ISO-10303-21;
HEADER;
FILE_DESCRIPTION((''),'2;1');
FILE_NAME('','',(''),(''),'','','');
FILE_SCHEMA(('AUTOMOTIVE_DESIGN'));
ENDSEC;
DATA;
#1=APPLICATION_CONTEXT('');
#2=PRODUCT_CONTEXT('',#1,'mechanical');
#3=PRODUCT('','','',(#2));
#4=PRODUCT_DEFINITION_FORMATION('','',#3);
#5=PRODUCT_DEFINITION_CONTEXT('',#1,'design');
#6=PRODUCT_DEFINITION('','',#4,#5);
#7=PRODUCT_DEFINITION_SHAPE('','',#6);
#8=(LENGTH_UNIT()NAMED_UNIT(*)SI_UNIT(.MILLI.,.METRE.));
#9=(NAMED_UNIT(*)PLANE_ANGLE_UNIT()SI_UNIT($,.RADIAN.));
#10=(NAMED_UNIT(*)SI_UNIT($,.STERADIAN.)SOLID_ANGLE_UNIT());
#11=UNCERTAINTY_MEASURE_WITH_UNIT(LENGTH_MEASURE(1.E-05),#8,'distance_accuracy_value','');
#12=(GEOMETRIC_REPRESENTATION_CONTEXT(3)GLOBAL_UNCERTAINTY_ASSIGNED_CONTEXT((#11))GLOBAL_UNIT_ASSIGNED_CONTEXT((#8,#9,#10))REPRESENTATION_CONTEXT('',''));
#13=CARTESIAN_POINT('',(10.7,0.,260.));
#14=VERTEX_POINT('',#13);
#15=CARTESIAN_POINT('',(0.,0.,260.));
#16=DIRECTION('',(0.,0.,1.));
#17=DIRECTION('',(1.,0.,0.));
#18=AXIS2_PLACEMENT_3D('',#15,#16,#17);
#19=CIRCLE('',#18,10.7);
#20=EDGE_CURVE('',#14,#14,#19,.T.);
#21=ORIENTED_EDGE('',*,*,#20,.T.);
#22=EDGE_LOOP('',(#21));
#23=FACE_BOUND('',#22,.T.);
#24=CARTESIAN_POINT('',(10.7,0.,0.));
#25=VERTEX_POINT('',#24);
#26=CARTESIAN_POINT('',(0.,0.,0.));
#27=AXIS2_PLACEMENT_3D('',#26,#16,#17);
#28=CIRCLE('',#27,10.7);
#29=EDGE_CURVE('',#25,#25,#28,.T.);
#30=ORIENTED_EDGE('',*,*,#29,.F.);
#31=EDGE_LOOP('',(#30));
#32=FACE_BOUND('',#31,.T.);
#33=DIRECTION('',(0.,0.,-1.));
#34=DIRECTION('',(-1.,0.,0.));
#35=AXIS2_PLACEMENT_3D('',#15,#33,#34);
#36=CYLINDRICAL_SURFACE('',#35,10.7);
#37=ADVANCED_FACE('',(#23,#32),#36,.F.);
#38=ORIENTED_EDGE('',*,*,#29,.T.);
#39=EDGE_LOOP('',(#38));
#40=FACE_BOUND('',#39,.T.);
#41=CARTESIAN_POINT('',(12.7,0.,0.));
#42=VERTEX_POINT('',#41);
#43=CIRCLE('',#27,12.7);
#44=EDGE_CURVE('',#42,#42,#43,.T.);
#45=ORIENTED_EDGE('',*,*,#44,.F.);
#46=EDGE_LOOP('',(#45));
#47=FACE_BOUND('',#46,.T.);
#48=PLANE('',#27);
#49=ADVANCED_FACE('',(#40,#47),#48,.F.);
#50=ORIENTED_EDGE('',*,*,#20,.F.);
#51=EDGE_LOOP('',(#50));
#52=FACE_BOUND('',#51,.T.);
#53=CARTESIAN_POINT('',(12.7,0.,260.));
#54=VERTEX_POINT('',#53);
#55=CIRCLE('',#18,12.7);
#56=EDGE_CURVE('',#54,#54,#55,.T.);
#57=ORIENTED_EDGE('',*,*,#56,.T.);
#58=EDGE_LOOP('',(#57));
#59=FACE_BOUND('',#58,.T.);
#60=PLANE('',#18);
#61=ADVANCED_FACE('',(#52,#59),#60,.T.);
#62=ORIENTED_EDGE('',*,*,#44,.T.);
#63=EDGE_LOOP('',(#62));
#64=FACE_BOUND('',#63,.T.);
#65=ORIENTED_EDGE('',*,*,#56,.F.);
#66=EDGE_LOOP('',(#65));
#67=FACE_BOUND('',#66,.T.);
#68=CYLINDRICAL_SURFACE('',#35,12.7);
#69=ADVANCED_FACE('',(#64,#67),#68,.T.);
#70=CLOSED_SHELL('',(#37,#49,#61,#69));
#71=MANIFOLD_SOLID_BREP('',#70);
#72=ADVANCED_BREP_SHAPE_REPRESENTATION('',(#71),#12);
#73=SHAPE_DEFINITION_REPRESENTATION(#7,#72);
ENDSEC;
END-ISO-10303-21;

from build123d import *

# Parameters (mm, degrees)
ESBO_O2_R                = 12.7
ESBO_O2_R_2              = 10.7
RESSALTO_EXTRUS_O1_DEPTH = 260


with BuildPart() as part:
    # Esboço2 → Ressalto-extrusão1 (new body)
    with BuildSketch(Plane.XY):
        Circle(ESBO_O2_R)
        Circle(ESBO_O2_R_2, mode=Mode.SUBTRACT)
    extrude(amount=RESSALTO_EXTRUS_O1_DEPTH)


solid = part.part
